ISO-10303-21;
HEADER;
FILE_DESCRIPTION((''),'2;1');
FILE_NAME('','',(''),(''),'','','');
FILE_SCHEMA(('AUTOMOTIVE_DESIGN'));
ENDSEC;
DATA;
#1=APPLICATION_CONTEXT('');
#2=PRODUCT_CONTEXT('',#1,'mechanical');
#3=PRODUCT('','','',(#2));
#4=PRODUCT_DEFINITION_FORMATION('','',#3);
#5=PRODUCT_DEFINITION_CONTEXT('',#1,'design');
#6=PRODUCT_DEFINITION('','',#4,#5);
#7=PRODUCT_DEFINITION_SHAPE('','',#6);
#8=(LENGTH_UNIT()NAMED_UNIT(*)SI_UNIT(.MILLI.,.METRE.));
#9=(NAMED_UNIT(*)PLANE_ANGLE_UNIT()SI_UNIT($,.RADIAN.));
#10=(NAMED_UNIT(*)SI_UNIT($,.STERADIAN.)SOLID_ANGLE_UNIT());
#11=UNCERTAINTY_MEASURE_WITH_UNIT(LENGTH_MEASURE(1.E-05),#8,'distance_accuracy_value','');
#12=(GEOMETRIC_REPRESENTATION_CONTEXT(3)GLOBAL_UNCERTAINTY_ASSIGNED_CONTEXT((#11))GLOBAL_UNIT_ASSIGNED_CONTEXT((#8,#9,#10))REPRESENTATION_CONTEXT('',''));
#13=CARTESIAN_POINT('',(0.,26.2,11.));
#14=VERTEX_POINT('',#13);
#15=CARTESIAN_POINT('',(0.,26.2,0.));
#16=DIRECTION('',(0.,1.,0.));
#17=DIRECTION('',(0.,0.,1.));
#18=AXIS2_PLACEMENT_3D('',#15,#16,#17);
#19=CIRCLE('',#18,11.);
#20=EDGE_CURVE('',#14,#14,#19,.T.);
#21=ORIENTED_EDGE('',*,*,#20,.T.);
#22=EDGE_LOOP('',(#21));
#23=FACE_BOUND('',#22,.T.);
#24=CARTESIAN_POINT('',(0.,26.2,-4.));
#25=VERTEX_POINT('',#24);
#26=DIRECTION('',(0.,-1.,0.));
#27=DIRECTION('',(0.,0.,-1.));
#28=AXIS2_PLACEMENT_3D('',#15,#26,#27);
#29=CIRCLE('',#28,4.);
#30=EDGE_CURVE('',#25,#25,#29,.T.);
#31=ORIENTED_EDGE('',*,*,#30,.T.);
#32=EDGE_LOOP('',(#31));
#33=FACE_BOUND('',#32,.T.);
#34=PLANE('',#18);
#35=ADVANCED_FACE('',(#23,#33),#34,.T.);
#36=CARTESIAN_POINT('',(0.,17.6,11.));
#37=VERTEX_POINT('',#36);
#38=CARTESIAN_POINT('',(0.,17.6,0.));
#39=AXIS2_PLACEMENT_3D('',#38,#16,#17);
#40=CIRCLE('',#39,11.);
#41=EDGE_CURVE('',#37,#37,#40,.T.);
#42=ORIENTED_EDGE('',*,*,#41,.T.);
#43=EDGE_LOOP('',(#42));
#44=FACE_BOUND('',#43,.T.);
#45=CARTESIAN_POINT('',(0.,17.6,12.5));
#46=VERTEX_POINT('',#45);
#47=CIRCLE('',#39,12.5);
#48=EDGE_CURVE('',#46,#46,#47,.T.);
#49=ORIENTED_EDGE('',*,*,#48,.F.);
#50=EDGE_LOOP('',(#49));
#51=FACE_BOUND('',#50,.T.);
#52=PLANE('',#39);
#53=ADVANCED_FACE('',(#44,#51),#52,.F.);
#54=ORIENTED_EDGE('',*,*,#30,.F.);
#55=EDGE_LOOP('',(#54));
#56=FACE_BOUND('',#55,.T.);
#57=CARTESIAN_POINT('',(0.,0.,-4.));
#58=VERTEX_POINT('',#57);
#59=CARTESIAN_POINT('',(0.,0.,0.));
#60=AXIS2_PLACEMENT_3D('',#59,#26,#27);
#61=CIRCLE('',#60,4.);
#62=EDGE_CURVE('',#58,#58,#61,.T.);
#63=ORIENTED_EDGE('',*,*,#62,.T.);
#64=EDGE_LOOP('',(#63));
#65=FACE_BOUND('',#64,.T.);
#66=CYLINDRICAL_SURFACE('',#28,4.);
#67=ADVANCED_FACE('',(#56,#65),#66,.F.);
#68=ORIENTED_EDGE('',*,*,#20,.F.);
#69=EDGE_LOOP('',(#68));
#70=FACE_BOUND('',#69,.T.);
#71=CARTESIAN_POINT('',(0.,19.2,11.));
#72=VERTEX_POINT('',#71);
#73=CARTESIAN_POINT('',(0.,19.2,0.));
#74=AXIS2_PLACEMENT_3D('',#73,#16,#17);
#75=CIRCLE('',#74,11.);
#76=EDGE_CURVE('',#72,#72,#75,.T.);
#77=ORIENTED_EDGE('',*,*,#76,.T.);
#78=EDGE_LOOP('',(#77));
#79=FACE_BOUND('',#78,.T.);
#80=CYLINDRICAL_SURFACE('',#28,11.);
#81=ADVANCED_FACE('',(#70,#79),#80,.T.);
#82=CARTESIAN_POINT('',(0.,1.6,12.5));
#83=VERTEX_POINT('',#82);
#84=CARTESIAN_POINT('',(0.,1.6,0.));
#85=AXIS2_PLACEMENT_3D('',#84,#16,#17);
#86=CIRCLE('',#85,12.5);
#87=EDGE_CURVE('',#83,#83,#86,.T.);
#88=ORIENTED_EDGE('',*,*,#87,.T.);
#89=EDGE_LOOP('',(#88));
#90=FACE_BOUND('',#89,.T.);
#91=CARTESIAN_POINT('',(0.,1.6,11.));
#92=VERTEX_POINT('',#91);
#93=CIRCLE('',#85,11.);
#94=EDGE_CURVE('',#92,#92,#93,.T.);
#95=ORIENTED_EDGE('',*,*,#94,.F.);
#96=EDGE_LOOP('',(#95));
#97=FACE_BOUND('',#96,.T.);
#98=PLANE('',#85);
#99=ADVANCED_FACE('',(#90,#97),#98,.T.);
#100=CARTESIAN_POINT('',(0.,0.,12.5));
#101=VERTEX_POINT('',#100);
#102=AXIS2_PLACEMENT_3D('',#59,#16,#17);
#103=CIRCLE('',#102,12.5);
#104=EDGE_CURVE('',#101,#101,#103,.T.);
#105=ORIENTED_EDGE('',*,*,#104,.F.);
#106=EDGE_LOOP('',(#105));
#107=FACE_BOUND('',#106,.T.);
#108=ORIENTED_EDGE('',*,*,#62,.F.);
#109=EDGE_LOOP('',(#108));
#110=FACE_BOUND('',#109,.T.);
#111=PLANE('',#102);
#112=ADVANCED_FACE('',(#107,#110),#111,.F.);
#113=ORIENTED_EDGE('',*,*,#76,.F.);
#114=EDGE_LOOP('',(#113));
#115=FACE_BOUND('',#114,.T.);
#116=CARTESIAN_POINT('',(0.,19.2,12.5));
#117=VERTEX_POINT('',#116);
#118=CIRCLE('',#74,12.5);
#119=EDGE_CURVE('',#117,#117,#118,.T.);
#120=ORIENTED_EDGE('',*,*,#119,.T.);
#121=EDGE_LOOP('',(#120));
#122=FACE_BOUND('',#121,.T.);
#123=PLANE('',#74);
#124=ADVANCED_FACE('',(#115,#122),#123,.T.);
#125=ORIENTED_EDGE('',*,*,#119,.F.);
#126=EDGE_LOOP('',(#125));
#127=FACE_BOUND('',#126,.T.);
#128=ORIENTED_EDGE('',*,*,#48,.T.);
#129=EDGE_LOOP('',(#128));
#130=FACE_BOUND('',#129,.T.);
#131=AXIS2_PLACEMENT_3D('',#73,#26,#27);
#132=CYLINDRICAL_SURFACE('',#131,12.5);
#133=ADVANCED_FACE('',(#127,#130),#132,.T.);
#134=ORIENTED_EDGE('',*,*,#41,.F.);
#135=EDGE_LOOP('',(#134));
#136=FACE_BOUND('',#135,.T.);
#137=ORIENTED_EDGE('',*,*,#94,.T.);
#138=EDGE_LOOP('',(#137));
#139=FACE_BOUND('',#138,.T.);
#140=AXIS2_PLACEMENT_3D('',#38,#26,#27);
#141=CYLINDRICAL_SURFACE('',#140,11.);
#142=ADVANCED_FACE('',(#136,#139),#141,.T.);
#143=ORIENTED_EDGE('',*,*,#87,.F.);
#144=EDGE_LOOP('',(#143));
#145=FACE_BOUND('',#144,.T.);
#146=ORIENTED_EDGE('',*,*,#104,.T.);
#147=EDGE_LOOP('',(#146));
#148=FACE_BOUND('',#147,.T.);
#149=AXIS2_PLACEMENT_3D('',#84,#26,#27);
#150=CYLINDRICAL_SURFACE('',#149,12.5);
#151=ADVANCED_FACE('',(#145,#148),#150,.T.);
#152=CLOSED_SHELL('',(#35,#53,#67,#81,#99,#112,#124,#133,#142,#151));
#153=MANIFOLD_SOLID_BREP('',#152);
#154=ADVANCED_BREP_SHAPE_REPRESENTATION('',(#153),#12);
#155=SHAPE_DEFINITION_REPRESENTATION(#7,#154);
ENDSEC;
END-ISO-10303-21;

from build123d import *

# Parameters (mm, degrees)
SKETCH1_R           = 12.5
BOSS_EXTRUDE1_DEPTH = 1.6
SKETCH2_R           = 11
BOSS_EXTRUDE2_DEPTH = 16
SKETCH3_R           = 12.5
BOSS_EXTRUDE3_DEPTH = 1.6
SKETCH4_R           = 11
BOSS_EXTRUDE4_DEPTH = 7
SKETCH5_R           = 4
CUT_EXTRUDE1_DEPTH  = 27.2


with BuildPart() as part:
    # Sketch1 → Boss-Extrude1 (new body)
    with BuildSketch(Plane(origin=(0, 0, 0), x_dir=(1, 0, 0), z_dir=(0, 1, 0))):
        Circle(SKETCH1_R)
    extrude(amount=BOSS_EXTRUDE1_DEPTH)

    # Sketch2 → Boss-Extrude2 (add)
    with BuildSketch(Plane(origin=(0, 1.6, 0), x_dir=(1, 0, 0), z_dir=(0, 1, 0))):
        Circle(SKETCH2_R)
    extrude(amount=BOSS_EXTRUDE2_DEPTH)

    # Sketch3 → Boss-Extrude3 (add)
    with BuildSketch(Plane(origin=(0, 17.6, 0), x_dir=(1, 0, 0), z_dir=(0, 1, 0))):
        Circle(SKETCH3_R)
    extrude(amount=BOSS_EXTRUDE3_DEPTH)

    # Sketch4 → Boss-Extrude4 (add)
    with BuildSketch(Plane(origin=(0, 19.2, 0), x_dir=(1, 0, 0), z_dir=(0, 1, 0))):
        Circle(SKETCH4_R)
    extrude(amount=BOSS_EXTRUDE4_DEPTH)

    # Sketch5 → Cut-Extrude1 (cut, through all)
    with BuildSketch(Plane.XZ):
        Circle(SKETCH5_R)
    extrude(amount=-CUT_EXTRUDE1_DEPTH, mode=Mode.SUBTRACT)


solid = part.part
